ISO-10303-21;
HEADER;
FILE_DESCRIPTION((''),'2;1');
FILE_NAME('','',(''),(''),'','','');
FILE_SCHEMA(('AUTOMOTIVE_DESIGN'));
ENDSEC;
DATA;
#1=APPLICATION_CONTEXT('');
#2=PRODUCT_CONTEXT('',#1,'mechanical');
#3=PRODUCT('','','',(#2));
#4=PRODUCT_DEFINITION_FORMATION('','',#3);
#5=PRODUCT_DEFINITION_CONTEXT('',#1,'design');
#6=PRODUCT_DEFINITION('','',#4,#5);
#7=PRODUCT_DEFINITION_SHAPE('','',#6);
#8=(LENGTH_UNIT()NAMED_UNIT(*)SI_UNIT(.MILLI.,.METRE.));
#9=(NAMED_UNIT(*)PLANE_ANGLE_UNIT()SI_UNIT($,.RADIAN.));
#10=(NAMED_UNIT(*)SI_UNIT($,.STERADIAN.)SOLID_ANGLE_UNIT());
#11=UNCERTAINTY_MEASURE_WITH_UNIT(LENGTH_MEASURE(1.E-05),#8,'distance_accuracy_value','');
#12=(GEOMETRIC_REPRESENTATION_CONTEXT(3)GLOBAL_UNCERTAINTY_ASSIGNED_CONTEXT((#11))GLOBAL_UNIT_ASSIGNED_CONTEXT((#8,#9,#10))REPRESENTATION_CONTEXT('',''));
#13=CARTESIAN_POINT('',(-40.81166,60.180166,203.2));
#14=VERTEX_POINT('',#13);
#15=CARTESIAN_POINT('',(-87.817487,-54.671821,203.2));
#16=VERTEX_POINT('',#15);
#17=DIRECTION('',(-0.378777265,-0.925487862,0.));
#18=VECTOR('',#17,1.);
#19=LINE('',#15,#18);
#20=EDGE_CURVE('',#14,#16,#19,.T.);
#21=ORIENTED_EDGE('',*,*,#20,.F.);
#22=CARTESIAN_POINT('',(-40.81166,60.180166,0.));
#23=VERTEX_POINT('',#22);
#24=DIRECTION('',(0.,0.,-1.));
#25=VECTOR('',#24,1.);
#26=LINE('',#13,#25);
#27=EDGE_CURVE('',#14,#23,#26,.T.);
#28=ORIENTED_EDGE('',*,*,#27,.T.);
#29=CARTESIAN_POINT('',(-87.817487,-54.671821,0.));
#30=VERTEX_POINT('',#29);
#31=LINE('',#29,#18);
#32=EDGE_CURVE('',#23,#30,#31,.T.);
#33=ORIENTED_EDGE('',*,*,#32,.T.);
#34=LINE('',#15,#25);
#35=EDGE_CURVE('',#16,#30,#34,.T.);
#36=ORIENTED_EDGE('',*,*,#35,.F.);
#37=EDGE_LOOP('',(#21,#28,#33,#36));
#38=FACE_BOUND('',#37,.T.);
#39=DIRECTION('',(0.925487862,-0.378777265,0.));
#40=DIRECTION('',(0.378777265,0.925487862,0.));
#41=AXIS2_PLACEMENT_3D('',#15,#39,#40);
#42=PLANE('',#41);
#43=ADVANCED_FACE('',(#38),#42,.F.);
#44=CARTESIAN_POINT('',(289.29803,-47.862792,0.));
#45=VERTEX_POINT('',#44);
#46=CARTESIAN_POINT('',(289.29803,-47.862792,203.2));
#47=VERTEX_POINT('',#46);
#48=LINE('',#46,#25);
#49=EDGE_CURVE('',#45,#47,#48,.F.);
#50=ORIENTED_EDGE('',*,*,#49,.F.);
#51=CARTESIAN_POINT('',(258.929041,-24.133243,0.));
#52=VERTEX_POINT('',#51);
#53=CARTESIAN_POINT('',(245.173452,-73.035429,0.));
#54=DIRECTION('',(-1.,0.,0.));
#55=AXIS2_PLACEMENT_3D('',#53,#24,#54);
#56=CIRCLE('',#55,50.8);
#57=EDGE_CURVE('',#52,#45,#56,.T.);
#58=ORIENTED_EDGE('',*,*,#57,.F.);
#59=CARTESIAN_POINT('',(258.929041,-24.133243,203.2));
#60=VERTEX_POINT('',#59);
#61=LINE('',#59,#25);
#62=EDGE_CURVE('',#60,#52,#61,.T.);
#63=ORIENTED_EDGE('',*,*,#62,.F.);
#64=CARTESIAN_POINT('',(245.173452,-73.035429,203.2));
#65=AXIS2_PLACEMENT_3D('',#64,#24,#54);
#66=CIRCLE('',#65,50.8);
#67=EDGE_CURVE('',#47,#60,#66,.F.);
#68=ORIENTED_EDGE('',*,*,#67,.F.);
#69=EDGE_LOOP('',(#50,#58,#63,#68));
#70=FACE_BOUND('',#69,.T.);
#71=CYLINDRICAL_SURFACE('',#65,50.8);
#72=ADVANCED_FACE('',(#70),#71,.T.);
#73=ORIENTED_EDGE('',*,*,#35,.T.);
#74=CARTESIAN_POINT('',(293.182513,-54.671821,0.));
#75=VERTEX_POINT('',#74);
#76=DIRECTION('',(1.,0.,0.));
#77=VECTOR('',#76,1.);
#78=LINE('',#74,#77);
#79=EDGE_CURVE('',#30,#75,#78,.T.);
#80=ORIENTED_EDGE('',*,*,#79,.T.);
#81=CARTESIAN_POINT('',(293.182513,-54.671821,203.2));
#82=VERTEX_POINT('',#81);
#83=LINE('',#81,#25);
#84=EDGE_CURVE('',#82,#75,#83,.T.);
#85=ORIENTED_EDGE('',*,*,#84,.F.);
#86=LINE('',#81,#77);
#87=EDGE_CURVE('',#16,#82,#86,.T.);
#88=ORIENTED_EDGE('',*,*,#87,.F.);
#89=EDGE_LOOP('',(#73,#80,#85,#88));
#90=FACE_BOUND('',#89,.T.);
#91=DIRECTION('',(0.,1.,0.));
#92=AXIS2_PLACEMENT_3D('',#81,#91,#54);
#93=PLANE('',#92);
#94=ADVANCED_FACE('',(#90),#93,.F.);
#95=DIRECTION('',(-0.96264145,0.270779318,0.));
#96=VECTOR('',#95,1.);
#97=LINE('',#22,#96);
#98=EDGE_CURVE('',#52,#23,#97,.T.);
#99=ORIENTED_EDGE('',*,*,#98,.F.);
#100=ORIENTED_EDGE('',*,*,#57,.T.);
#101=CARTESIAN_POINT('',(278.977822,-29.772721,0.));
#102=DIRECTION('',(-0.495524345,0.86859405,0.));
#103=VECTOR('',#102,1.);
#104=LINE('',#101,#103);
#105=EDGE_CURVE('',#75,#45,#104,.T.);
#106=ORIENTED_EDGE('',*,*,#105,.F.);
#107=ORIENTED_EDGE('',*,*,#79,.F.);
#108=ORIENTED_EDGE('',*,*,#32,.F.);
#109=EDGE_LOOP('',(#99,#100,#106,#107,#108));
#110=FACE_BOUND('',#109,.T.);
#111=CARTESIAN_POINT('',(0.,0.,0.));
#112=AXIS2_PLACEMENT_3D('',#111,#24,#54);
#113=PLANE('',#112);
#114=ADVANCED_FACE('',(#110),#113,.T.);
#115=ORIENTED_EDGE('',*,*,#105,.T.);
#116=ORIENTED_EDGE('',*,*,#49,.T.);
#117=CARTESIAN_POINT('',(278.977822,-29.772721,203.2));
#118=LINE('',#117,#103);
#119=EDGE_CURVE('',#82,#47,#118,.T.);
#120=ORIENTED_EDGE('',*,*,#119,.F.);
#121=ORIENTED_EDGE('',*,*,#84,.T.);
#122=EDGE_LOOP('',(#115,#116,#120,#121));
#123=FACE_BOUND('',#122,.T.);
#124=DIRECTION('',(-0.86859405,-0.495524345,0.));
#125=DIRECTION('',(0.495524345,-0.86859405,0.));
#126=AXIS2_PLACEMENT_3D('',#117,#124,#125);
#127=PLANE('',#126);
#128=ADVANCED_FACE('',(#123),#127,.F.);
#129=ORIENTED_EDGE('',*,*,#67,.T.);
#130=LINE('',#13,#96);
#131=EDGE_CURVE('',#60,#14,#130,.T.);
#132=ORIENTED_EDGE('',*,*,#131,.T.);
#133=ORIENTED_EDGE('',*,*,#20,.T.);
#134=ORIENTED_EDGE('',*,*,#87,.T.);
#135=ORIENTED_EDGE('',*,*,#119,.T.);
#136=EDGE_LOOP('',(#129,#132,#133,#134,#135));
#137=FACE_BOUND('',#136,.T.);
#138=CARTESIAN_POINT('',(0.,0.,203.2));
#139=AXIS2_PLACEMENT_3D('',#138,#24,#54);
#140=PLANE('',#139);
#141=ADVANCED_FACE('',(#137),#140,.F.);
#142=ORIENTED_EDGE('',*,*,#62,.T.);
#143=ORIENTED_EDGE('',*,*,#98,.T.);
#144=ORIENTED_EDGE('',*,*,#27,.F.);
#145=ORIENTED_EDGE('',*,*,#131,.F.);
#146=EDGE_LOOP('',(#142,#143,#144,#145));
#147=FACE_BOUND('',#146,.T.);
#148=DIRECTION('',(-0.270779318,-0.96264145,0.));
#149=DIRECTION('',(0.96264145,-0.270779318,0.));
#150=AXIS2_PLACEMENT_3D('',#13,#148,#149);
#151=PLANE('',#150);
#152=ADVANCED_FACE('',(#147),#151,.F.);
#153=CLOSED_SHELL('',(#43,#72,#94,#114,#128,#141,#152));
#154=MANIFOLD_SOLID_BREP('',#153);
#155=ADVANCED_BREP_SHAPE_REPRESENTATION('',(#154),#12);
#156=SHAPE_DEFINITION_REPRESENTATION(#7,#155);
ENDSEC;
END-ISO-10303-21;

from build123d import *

# Parameters (mm, degrees)
BOSS_EXTRUDE1_DEPTH = 203.2
FILLET1_R           = 50.8


with BuildPart() as part:
    # Sketch1 → Boss-Extrude1 (new body)
    with BuildSketch(Plane.XY):
        Polygon((-87.817486522, -54.671821016), (-40.811660223, 60.180166362), (278.977822444, -29.772721235), (293.182513478, -54.671821016), align=None)
    extrude(amount=BOSS_EXTRUDE1_DEPTH)

    # Fillet1
    fillet1_edges = [part.edges().sort_by_distance(p)[0] for p in [
        (278.977822444, -29.772721235, 101.6),
    ]]
    fillet(fillet1_edges, radius=FILLET1_R)


solid = part.part
